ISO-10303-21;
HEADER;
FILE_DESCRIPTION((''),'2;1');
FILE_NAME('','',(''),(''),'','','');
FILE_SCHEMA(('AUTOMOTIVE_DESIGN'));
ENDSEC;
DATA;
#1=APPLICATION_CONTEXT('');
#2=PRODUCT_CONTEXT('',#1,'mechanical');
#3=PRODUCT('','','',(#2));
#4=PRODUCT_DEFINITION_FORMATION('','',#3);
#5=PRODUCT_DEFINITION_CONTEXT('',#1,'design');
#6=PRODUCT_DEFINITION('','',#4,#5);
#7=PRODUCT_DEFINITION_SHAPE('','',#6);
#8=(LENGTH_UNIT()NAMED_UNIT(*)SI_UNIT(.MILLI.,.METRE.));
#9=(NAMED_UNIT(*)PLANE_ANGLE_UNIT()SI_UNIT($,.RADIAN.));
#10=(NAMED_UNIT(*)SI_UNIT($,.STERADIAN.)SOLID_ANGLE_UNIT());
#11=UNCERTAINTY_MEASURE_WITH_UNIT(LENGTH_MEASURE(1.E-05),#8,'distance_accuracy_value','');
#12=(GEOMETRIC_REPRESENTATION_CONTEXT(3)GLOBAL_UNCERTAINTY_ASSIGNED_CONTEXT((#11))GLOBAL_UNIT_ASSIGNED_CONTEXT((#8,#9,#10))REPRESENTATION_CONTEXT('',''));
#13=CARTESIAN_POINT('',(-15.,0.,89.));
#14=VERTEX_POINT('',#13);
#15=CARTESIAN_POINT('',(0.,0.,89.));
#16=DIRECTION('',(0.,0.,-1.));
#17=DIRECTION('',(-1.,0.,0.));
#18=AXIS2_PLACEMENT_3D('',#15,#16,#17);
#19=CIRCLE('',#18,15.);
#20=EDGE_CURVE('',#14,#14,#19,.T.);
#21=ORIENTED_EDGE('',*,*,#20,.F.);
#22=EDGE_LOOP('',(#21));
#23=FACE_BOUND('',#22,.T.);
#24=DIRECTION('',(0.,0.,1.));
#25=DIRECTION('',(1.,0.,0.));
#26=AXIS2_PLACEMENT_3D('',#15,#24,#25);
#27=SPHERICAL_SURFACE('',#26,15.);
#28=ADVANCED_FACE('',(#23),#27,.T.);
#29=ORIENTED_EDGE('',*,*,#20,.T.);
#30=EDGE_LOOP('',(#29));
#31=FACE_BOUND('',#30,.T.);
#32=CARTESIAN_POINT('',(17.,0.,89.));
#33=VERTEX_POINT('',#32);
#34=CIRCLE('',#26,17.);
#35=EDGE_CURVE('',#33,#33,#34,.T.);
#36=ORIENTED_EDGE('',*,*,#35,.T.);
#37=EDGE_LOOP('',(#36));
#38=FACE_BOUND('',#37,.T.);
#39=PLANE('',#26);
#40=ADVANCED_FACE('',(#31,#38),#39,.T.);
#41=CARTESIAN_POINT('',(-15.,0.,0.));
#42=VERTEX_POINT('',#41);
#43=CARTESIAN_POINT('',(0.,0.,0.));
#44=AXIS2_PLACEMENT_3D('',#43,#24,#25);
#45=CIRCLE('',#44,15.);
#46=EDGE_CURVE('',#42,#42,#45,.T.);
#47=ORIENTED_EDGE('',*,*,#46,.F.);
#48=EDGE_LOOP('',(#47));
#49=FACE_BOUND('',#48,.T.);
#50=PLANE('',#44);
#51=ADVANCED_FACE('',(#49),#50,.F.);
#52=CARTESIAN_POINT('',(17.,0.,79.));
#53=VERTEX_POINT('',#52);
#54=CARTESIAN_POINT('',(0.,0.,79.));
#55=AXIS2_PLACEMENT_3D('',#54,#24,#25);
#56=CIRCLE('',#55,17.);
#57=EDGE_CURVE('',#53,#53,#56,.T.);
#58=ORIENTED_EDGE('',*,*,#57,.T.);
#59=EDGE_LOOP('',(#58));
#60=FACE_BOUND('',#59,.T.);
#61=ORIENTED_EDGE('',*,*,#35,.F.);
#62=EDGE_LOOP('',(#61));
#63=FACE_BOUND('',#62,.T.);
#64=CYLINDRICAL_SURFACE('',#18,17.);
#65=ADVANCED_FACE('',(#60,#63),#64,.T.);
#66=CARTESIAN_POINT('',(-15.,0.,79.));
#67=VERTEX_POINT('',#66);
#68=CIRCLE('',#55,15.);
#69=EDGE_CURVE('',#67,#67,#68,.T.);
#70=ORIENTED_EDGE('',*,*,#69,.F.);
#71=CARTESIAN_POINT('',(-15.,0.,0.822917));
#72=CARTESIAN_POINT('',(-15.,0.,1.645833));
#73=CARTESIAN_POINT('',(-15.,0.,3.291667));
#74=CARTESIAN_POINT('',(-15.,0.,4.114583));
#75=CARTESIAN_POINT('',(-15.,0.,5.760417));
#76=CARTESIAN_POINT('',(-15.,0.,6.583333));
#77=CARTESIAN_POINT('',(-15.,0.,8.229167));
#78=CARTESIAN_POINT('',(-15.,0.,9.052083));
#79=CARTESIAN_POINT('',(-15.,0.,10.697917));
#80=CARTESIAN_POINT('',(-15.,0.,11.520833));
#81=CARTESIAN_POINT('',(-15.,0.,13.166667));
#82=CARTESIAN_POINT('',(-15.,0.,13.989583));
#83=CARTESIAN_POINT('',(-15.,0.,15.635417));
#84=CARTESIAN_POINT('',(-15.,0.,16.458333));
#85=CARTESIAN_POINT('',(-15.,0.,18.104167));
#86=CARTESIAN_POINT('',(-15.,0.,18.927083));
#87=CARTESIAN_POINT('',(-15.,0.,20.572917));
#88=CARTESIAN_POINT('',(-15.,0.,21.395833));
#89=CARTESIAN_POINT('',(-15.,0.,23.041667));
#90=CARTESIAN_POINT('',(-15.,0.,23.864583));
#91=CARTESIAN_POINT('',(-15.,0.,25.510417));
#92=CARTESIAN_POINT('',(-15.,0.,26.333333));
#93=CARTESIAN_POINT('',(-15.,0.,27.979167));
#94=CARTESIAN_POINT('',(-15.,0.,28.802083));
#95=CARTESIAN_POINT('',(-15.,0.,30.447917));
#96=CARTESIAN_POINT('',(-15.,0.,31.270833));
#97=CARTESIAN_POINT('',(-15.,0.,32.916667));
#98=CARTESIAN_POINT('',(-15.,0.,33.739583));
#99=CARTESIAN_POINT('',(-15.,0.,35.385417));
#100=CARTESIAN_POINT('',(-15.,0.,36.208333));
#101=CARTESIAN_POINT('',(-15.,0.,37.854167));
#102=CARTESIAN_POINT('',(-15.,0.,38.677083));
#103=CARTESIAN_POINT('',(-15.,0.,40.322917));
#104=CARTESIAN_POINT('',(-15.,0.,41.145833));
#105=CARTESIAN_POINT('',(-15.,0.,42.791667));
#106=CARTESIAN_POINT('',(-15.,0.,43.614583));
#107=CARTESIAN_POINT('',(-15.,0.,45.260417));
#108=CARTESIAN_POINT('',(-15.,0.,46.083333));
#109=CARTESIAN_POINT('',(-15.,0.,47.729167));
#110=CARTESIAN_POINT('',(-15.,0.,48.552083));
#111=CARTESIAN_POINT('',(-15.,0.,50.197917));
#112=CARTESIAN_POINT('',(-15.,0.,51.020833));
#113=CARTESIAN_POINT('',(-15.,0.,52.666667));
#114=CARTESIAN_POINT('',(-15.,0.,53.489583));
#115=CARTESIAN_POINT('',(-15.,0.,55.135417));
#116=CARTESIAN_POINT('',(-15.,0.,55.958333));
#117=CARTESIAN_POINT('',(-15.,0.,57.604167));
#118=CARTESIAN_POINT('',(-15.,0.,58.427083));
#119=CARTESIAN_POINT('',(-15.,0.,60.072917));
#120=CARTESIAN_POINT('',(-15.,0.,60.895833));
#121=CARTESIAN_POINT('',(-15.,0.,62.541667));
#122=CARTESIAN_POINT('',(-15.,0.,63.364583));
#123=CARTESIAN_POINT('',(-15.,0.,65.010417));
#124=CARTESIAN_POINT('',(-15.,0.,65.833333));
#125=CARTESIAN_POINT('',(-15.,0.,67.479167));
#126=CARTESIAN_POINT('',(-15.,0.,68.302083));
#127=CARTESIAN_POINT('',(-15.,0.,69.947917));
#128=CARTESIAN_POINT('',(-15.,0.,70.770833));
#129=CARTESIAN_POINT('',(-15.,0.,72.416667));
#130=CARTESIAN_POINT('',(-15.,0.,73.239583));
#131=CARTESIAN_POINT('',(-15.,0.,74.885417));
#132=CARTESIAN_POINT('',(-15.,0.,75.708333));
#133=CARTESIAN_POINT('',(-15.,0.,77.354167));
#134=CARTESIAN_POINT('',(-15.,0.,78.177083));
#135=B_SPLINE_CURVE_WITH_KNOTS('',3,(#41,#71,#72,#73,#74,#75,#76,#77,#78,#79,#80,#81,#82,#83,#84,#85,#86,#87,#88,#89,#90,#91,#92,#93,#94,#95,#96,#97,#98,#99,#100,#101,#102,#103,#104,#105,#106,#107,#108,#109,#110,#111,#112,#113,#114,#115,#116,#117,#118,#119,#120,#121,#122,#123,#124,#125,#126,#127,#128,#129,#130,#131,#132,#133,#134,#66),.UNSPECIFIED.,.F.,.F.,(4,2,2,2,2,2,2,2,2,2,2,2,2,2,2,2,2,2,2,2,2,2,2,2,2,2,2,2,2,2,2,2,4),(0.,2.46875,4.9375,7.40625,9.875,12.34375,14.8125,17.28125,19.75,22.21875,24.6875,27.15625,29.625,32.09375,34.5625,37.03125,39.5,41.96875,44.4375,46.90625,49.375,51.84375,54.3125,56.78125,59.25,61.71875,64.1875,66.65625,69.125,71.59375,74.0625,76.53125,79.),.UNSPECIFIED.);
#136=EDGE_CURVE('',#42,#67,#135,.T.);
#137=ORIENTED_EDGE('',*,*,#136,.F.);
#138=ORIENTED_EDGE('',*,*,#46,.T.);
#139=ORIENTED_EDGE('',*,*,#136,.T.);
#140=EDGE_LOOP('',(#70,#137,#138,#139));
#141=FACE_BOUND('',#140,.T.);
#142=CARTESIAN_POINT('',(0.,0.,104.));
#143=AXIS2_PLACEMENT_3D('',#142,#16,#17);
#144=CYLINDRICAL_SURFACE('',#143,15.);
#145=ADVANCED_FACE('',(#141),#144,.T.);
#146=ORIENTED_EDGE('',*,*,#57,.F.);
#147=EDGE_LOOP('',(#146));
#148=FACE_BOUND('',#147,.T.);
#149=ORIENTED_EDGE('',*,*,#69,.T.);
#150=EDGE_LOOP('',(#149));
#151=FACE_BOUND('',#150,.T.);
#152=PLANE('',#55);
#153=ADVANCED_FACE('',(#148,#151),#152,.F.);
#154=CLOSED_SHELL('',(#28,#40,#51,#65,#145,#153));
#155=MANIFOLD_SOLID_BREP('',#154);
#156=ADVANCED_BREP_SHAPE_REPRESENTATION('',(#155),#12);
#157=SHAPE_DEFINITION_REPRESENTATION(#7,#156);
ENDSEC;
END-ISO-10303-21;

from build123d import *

# Parameters (mm, degrees)
SKETCH1_R           = 15
BOSS_EXTRUDE1_DEPTH = 104
FILLET1_R           = 15
BOSS_EXTRUDE2_START = 79
SKETCH2_R           = 17
SKETCH2_R_2         = 15
BOSS_EXTRUDE2_DEPTH = 10


with BuildPart() as part:
    # Sketch1 → Boss-Extrude1 (new body)
    with BuildSketch(Plane.XY):
        with Locations(Location((0, 0, 0), (0, 0, 180))):
            Circle(SKETCH1_R)
    extrude(amount=BOSS_EXTRUDE1_DEPTH)

    # Fillet1
    fillet1_edges = [part.edges().sort_by_distance(p)[0] for p in [
        (15, 0, 104),
    ]]
    fillet(fillet1_edges, radius=FILLET1_R)

    # Sketch2 → Boss-Extrude2 (add)
    with BuildSketch(Plane.XY.offset(BOSS_EXTRUDE2_START)):
        Circle(SKETCH2_R)
        with Locations(Location((0, 0, 0), (0, 0, 180))):
            Circle(SKETCH2_R_2, mode=Mode.SUBTRACT)
    extrude(amount=BOSS_EXTRUDE2_DEPTH)


solid = part.part
